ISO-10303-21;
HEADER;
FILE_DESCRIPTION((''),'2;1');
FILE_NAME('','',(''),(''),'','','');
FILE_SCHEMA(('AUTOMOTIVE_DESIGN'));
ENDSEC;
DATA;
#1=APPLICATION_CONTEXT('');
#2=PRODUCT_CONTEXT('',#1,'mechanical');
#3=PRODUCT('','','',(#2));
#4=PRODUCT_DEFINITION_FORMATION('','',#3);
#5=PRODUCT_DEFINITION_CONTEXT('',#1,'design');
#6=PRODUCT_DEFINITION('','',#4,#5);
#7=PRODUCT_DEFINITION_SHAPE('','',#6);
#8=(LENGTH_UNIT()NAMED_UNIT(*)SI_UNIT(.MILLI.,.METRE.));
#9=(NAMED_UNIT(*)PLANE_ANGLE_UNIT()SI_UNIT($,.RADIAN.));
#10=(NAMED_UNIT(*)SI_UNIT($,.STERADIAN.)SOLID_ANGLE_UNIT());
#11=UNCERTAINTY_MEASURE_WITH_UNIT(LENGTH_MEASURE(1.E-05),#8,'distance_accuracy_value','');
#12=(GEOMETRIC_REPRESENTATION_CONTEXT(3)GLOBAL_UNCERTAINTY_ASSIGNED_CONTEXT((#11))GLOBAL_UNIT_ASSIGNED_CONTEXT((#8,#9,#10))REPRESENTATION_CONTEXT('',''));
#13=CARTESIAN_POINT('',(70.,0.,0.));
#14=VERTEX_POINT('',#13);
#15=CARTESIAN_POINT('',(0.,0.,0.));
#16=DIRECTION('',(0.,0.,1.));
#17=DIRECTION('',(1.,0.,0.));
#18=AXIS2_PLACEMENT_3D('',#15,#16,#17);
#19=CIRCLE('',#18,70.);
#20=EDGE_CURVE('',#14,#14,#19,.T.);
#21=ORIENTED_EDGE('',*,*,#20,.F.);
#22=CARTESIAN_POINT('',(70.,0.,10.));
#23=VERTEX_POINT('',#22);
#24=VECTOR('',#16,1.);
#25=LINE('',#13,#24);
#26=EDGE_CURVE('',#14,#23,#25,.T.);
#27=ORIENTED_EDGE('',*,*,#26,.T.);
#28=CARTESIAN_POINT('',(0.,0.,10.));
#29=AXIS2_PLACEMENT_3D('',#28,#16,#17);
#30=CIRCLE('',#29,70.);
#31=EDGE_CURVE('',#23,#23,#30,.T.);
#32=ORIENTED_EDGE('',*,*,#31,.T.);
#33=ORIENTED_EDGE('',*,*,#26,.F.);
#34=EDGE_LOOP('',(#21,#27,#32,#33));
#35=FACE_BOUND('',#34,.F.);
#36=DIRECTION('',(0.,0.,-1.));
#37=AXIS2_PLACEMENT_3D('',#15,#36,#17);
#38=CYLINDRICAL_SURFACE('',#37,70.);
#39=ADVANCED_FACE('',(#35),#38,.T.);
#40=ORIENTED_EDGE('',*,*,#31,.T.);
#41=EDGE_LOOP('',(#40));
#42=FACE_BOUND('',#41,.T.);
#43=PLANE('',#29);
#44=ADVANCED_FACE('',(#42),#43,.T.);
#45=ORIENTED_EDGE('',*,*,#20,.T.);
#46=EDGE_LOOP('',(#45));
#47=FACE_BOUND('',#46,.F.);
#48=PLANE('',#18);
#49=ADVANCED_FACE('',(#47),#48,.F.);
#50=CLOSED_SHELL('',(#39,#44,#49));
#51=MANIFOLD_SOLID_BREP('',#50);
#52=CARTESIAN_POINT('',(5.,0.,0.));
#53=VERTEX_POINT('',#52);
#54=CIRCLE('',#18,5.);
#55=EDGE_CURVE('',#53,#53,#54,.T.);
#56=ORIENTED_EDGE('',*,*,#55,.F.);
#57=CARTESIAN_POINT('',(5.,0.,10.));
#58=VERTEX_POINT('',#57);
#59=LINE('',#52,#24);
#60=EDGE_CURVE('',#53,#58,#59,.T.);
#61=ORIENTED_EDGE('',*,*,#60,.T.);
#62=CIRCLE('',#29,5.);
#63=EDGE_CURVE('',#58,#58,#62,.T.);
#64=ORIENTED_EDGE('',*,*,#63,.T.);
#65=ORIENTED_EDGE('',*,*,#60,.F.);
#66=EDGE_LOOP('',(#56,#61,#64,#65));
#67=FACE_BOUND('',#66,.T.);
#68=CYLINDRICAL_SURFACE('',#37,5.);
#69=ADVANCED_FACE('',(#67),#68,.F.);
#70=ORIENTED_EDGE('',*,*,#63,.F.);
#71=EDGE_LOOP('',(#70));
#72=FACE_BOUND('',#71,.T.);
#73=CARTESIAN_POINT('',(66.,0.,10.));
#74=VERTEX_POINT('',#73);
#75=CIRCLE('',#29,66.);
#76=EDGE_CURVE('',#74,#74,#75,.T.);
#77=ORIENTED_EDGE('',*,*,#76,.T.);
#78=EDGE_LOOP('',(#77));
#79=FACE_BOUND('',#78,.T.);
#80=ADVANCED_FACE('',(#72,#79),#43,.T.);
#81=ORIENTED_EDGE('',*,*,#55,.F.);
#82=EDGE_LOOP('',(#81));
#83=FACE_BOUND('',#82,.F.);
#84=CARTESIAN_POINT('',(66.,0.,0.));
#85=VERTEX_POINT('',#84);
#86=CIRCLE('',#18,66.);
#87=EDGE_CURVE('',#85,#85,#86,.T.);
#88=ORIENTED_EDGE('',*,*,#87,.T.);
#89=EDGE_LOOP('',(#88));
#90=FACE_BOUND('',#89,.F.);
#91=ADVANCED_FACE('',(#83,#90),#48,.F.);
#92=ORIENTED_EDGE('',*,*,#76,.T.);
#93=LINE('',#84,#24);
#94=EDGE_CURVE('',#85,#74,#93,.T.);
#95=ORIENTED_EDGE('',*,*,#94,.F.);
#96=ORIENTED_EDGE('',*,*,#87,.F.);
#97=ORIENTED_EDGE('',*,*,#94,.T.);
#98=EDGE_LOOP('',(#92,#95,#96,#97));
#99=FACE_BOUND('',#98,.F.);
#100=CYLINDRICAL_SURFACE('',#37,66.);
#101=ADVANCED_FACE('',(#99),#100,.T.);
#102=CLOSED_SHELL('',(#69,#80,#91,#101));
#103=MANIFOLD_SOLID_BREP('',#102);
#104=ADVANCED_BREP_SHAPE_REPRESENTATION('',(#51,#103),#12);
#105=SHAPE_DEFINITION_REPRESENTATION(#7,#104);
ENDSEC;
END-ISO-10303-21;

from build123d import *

# Parameters (mm, degrees)
F0_R     = 70
F1_DEPTH = 10
F2_R     = 66
F2_R_2   = 5
F3_DEPTH = 10


with BuildPart() as f1:
    # F0 (on Top) → F1 (new body)
    with BuildSketch(Plane.XY):
        Circle(F0_R)
    extrude(amount=F1_DEPTH)


with BuildPart() as f3:
    # F2 (on Top) → F3 (new body)
    with BuildSketch(Plane.XY):
        Circle(F2_R)
        Circle(F2_R_2, mode=Mode.SUBTRACT)
    extrude(amount=F3_DEPTH)


solid = Compound([f1.part, f3.part])
